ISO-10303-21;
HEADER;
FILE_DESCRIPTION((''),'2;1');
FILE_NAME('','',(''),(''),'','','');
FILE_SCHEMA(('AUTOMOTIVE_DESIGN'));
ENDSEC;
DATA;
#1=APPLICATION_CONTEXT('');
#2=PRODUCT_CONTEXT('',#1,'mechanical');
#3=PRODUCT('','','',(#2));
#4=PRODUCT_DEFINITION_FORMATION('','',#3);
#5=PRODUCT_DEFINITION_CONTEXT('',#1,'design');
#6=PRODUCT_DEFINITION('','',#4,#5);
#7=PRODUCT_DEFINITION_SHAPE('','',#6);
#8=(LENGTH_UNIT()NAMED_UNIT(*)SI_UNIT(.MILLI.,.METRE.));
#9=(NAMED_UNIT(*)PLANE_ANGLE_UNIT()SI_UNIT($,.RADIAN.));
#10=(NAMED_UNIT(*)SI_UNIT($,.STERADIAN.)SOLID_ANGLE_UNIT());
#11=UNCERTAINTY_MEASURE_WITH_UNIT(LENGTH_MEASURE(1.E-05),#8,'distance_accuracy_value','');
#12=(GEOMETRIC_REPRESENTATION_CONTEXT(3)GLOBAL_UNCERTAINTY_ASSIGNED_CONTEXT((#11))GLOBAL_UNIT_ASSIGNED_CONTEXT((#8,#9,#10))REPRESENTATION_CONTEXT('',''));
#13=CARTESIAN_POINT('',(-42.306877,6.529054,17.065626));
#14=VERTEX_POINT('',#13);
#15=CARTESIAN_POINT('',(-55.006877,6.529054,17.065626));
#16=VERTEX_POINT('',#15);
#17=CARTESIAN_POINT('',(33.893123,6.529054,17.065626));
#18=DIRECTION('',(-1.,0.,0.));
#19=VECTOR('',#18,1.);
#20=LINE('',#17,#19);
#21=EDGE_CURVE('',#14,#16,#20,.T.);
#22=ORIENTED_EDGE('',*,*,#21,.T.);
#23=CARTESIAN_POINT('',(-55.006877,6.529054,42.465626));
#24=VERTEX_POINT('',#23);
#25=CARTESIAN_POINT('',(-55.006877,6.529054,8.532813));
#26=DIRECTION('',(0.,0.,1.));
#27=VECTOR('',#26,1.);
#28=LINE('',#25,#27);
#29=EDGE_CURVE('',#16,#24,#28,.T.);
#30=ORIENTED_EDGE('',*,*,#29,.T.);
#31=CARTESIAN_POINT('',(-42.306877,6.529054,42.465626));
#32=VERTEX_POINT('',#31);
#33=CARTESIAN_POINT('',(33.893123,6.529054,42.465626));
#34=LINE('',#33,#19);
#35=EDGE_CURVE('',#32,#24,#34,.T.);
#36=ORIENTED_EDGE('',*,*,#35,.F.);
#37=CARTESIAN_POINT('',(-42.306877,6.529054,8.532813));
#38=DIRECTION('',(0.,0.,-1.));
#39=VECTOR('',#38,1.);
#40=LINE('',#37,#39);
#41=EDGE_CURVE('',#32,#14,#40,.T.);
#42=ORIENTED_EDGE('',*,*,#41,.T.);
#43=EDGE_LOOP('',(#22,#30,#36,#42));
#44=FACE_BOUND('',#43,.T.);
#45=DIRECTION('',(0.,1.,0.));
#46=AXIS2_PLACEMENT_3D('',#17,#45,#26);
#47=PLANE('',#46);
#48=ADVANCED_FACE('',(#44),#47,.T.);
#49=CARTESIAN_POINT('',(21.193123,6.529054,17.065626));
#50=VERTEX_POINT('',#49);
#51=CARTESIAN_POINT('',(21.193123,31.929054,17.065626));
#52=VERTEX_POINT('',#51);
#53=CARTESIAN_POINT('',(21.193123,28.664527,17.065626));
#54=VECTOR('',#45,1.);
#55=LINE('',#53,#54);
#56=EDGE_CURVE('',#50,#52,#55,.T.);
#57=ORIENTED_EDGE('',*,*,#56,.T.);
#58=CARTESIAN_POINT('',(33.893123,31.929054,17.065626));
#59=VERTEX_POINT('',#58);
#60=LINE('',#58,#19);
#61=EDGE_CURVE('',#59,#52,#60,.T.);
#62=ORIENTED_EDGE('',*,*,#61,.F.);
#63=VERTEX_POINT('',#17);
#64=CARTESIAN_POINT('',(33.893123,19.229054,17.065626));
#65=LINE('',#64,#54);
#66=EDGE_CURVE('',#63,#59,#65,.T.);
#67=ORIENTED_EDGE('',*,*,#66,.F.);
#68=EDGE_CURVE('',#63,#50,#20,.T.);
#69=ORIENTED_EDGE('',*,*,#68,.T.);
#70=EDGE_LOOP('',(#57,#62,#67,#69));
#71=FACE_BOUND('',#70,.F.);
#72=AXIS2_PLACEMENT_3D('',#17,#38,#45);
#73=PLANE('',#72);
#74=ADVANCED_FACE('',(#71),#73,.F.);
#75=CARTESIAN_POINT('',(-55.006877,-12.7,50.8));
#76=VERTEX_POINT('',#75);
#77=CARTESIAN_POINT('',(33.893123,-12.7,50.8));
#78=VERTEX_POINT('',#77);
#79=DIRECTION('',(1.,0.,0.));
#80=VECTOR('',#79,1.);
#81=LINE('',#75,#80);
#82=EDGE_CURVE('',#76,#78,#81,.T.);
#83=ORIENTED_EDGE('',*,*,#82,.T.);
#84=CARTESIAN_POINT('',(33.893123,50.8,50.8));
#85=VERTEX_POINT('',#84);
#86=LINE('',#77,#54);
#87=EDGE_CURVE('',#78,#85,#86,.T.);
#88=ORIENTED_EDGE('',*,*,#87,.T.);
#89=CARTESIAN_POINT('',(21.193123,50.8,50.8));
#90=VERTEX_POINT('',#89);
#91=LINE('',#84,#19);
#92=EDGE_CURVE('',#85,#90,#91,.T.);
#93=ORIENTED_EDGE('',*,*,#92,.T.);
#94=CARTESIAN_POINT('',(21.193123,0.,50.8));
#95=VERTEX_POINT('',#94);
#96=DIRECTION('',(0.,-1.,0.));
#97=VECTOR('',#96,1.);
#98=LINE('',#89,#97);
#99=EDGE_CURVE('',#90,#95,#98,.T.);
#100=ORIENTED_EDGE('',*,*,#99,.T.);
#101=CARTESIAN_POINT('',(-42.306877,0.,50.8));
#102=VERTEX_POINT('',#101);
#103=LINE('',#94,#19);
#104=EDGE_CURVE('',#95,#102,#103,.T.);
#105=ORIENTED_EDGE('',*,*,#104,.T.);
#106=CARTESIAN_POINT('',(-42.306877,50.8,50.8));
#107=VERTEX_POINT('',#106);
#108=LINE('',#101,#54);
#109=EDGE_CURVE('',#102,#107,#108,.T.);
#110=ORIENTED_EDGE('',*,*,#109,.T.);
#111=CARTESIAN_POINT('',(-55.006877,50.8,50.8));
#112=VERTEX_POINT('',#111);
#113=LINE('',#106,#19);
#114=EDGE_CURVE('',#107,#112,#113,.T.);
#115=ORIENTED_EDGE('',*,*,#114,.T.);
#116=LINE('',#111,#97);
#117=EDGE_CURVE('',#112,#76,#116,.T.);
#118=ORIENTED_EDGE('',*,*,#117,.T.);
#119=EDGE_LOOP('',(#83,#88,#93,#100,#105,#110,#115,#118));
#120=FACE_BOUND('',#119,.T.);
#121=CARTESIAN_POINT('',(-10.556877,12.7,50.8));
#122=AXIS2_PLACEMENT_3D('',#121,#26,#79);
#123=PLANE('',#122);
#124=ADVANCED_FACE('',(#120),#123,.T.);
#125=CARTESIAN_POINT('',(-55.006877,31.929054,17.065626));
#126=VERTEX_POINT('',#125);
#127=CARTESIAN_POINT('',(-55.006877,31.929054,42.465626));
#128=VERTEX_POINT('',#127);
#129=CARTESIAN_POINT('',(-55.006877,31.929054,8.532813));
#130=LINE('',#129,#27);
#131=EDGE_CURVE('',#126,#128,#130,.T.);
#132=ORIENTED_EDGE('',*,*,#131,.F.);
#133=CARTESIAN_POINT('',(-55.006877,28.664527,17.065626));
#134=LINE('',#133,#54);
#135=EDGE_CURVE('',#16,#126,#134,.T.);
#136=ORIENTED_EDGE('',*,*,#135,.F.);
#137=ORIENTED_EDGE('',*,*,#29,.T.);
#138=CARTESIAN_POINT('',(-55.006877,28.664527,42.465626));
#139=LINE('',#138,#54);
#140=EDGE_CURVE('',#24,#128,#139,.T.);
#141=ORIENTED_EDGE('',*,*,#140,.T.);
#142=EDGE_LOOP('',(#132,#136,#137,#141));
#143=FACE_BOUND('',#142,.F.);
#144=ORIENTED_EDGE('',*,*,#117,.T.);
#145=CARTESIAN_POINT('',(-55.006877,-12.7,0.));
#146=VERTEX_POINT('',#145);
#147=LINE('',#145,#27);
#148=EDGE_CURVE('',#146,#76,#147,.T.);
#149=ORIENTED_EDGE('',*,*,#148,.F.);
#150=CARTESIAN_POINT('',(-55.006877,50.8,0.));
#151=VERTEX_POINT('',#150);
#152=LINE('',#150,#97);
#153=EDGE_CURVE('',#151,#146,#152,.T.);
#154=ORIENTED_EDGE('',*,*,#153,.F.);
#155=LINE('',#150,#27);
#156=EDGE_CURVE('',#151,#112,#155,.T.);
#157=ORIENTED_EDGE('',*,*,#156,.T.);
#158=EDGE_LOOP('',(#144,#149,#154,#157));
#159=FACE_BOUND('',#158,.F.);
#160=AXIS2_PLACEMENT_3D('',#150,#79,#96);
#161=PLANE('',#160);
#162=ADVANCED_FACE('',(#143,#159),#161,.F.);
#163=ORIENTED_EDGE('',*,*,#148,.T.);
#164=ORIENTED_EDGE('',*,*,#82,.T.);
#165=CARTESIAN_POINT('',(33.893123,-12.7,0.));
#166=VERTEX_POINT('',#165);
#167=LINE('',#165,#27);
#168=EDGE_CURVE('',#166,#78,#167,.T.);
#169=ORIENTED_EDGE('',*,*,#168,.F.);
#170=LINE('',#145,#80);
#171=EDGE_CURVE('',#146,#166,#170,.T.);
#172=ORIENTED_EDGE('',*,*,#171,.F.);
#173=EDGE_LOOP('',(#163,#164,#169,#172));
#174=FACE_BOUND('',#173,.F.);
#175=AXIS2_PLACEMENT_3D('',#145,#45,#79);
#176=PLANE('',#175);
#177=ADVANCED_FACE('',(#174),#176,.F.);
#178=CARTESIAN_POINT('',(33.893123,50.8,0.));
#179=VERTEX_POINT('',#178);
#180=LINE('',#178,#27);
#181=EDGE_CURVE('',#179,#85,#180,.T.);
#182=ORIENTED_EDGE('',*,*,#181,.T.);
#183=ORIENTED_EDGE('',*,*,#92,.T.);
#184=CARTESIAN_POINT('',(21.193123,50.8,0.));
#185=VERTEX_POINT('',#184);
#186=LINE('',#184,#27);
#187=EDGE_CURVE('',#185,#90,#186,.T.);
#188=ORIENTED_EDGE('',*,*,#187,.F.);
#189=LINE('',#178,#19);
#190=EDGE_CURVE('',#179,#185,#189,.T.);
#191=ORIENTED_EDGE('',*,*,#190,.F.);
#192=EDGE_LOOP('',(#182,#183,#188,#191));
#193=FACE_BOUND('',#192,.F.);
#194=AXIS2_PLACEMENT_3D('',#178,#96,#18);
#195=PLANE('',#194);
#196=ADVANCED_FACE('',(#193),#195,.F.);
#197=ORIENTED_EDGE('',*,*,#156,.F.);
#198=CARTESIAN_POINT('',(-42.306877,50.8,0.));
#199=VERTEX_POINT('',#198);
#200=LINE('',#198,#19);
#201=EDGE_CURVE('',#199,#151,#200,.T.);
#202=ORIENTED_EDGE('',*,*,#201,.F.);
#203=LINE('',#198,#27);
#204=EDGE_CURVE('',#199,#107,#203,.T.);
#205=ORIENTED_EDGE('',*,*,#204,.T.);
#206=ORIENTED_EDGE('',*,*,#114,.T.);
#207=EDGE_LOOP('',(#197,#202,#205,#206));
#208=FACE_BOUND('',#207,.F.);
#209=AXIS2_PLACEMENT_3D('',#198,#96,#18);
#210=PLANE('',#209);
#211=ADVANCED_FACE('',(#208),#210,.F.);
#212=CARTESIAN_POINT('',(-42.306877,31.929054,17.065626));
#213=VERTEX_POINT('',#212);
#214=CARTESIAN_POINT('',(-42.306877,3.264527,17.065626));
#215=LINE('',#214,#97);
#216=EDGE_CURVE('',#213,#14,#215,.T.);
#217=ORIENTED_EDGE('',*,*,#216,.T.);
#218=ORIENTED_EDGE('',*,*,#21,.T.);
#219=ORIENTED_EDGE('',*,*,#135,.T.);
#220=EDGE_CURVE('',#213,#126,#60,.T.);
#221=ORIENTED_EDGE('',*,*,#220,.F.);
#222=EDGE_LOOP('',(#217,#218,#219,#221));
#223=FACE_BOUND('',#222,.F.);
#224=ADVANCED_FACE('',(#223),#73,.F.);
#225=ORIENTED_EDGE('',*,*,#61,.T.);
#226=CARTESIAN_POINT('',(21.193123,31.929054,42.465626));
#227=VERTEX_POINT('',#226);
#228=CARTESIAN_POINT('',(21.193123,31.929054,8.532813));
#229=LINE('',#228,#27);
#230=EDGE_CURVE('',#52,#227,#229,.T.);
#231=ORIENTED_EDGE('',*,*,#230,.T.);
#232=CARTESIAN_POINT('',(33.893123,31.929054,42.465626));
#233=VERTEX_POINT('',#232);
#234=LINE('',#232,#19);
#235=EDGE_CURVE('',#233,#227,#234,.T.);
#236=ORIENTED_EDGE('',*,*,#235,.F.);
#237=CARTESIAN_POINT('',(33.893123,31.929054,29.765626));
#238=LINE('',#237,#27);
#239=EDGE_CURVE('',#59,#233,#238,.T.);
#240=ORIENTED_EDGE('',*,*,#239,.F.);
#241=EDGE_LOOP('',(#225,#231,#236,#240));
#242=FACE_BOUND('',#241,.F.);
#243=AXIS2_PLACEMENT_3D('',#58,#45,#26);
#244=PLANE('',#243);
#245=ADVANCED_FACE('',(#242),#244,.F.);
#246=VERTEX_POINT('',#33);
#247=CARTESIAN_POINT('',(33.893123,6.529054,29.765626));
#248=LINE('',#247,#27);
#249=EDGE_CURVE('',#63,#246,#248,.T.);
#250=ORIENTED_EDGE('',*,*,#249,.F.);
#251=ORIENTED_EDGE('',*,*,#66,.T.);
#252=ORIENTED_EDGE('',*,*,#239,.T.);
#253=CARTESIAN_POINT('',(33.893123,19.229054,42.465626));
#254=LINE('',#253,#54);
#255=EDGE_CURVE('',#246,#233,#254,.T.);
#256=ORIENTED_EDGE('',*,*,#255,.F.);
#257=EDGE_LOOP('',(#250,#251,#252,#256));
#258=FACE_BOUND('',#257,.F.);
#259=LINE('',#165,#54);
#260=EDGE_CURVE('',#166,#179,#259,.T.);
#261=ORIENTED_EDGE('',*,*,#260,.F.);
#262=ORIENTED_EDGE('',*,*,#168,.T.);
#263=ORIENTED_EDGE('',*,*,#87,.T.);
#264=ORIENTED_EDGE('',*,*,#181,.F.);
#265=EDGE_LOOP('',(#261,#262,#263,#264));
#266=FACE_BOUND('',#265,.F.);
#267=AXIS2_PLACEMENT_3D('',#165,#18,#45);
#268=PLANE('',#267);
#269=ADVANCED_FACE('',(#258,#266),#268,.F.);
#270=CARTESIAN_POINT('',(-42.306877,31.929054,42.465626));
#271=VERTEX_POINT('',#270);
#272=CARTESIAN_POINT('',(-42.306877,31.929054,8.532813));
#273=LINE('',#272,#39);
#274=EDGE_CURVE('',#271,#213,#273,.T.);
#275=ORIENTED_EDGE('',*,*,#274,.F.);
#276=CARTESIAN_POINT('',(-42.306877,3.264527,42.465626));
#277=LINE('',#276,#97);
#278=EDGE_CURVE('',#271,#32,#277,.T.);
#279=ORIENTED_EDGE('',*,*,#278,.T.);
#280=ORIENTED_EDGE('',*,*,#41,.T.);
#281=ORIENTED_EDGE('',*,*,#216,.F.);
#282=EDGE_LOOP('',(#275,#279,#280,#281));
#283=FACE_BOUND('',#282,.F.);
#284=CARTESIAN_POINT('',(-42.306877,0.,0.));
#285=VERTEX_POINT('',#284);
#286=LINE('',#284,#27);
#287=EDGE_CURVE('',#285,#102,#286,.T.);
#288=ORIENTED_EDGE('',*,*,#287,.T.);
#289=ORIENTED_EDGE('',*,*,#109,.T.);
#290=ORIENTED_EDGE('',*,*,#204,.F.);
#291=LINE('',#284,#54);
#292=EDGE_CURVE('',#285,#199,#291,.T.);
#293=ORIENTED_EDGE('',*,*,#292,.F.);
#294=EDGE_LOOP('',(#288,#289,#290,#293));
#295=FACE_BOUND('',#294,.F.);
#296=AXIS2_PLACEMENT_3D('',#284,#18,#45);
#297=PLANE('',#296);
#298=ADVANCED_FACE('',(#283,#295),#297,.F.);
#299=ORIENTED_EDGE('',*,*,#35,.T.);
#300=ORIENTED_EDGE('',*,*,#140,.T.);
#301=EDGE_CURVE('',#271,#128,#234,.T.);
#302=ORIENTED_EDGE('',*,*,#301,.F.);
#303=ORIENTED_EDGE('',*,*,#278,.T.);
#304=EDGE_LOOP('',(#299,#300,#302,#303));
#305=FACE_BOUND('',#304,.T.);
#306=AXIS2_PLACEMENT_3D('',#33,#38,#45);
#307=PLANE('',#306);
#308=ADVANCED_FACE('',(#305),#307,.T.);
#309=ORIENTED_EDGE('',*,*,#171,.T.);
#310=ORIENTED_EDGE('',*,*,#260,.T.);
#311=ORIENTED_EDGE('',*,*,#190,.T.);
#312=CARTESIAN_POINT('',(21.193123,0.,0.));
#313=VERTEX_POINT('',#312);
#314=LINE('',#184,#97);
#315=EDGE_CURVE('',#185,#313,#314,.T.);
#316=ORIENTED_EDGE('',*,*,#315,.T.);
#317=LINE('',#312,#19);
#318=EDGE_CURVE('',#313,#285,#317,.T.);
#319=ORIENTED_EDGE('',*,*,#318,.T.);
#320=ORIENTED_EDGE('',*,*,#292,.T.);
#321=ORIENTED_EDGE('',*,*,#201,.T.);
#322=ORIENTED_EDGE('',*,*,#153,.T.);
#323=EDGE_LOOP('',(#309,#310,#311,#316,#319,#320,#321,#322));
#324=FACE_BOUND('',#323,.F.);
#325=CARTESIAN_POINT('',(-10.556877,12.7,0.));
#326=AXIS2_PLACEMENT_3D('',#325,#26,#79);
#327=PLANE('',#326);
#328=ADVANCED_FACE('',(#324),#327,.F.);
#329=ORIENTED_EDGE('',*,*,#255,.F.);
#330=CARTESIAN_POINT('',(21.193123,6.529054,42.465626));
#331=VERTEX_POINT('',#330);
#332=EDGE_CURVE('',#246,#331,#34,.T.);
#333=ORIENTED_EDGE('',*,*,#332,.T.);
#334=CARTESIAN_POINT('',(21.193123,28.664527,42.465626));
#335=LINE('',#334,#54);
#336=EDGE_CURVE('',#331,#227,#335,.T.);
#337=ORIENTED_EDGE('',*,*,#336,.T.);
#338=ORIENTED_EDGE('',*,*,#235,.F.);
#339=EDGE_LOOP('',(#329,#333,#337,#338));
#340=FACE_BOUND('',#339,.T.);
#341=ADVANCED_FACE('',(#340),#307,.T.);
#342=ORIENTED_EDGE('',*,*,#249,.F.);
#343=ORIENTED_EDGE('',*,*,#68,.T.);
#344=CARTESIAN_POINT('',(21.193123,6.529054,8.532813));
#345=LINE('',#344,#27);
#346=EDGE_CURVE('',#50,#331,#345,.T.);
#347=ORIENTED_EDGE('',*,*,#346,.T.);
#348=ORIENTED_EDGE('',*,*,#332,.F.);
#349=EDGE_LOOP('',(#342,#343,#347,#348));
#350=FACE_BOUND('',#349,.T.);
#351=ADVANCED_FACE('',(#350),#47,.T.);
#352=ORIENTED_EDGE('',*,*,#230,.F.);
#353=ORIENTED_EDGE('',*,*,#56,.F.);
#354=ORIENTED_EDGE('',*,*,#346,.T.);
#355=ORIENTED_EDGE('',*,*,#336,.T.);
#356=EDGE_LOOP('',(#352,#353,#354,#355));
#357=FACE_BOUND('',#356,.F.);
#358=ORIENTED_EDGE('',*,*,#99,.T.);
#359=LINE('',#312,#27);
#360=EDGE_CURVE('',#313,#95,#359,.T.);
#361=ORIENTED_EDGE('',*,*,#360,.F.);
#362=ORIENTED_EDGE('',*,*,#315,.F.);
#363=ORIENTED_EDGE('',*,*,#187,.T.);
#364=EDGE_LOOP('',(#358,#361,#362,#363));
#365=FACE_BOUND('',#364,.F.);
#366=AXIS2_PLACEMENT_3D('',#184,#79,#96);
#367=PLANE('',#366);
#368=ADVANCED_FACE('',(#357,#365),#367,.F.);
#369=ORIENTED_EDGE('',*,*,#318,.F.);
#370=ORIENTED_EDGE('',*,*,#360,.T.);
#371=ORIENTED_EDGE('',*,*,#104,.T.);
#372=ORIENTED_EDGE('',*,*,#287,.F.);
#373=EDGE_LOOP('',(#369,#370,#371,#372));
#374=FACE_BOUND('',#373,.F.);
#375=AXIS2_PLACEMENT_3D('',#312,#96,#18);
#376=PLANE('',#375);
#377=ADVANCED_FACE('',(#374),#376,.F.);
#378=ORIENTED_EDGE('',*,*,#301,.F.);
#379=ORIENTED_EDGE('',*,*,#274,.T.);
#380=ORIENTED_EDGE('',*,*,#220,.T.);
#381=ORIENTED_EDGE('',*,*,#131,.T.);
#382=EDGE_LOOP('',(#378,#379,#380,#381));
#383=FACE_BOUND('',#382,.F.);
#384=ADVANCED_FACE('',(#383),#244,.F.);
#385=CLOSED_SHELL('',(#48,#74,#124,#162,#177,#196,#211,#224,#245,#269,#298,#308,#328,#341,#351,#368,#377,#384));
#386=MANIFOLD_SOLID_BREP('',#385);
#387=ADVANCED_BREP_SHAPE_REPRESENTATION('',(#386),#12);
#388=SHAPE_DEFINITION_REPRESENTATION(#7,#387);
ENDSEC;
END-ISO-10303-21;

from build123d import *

# Parameters (mm, degrees)
F1_DEPTH = 50.8
F2_W     = 25.4
F2_H     = 25.4
F3_DEPTH = 104.648


with BuildPart() as f1:
    # F0 (on Top) → F1 (new body)
    with BuildSketch(Plane.XY):
        Polygon((-55.006877, 50.8), (-55.006877, -12.7), (33.893123, -12.7), (33.893123, 50.8), (21.193123, 50.8), (21.193123, 0), (-42.306877, 0), (-42.306877, 50.8), align=None)
    extrude(amount=F1_DEPTH)

    # F2 (on face) → F3 (cut)
    with BuildSketch(Plane.YZ.offset(33.893123)):
        with Locations((19.229054, 29.765626)):
            Rectangle(F2_W, F2_H)
    extrude(amount=-F3_DEPTH, mode=Mode.SUBTRACT)


solid = f1.part
